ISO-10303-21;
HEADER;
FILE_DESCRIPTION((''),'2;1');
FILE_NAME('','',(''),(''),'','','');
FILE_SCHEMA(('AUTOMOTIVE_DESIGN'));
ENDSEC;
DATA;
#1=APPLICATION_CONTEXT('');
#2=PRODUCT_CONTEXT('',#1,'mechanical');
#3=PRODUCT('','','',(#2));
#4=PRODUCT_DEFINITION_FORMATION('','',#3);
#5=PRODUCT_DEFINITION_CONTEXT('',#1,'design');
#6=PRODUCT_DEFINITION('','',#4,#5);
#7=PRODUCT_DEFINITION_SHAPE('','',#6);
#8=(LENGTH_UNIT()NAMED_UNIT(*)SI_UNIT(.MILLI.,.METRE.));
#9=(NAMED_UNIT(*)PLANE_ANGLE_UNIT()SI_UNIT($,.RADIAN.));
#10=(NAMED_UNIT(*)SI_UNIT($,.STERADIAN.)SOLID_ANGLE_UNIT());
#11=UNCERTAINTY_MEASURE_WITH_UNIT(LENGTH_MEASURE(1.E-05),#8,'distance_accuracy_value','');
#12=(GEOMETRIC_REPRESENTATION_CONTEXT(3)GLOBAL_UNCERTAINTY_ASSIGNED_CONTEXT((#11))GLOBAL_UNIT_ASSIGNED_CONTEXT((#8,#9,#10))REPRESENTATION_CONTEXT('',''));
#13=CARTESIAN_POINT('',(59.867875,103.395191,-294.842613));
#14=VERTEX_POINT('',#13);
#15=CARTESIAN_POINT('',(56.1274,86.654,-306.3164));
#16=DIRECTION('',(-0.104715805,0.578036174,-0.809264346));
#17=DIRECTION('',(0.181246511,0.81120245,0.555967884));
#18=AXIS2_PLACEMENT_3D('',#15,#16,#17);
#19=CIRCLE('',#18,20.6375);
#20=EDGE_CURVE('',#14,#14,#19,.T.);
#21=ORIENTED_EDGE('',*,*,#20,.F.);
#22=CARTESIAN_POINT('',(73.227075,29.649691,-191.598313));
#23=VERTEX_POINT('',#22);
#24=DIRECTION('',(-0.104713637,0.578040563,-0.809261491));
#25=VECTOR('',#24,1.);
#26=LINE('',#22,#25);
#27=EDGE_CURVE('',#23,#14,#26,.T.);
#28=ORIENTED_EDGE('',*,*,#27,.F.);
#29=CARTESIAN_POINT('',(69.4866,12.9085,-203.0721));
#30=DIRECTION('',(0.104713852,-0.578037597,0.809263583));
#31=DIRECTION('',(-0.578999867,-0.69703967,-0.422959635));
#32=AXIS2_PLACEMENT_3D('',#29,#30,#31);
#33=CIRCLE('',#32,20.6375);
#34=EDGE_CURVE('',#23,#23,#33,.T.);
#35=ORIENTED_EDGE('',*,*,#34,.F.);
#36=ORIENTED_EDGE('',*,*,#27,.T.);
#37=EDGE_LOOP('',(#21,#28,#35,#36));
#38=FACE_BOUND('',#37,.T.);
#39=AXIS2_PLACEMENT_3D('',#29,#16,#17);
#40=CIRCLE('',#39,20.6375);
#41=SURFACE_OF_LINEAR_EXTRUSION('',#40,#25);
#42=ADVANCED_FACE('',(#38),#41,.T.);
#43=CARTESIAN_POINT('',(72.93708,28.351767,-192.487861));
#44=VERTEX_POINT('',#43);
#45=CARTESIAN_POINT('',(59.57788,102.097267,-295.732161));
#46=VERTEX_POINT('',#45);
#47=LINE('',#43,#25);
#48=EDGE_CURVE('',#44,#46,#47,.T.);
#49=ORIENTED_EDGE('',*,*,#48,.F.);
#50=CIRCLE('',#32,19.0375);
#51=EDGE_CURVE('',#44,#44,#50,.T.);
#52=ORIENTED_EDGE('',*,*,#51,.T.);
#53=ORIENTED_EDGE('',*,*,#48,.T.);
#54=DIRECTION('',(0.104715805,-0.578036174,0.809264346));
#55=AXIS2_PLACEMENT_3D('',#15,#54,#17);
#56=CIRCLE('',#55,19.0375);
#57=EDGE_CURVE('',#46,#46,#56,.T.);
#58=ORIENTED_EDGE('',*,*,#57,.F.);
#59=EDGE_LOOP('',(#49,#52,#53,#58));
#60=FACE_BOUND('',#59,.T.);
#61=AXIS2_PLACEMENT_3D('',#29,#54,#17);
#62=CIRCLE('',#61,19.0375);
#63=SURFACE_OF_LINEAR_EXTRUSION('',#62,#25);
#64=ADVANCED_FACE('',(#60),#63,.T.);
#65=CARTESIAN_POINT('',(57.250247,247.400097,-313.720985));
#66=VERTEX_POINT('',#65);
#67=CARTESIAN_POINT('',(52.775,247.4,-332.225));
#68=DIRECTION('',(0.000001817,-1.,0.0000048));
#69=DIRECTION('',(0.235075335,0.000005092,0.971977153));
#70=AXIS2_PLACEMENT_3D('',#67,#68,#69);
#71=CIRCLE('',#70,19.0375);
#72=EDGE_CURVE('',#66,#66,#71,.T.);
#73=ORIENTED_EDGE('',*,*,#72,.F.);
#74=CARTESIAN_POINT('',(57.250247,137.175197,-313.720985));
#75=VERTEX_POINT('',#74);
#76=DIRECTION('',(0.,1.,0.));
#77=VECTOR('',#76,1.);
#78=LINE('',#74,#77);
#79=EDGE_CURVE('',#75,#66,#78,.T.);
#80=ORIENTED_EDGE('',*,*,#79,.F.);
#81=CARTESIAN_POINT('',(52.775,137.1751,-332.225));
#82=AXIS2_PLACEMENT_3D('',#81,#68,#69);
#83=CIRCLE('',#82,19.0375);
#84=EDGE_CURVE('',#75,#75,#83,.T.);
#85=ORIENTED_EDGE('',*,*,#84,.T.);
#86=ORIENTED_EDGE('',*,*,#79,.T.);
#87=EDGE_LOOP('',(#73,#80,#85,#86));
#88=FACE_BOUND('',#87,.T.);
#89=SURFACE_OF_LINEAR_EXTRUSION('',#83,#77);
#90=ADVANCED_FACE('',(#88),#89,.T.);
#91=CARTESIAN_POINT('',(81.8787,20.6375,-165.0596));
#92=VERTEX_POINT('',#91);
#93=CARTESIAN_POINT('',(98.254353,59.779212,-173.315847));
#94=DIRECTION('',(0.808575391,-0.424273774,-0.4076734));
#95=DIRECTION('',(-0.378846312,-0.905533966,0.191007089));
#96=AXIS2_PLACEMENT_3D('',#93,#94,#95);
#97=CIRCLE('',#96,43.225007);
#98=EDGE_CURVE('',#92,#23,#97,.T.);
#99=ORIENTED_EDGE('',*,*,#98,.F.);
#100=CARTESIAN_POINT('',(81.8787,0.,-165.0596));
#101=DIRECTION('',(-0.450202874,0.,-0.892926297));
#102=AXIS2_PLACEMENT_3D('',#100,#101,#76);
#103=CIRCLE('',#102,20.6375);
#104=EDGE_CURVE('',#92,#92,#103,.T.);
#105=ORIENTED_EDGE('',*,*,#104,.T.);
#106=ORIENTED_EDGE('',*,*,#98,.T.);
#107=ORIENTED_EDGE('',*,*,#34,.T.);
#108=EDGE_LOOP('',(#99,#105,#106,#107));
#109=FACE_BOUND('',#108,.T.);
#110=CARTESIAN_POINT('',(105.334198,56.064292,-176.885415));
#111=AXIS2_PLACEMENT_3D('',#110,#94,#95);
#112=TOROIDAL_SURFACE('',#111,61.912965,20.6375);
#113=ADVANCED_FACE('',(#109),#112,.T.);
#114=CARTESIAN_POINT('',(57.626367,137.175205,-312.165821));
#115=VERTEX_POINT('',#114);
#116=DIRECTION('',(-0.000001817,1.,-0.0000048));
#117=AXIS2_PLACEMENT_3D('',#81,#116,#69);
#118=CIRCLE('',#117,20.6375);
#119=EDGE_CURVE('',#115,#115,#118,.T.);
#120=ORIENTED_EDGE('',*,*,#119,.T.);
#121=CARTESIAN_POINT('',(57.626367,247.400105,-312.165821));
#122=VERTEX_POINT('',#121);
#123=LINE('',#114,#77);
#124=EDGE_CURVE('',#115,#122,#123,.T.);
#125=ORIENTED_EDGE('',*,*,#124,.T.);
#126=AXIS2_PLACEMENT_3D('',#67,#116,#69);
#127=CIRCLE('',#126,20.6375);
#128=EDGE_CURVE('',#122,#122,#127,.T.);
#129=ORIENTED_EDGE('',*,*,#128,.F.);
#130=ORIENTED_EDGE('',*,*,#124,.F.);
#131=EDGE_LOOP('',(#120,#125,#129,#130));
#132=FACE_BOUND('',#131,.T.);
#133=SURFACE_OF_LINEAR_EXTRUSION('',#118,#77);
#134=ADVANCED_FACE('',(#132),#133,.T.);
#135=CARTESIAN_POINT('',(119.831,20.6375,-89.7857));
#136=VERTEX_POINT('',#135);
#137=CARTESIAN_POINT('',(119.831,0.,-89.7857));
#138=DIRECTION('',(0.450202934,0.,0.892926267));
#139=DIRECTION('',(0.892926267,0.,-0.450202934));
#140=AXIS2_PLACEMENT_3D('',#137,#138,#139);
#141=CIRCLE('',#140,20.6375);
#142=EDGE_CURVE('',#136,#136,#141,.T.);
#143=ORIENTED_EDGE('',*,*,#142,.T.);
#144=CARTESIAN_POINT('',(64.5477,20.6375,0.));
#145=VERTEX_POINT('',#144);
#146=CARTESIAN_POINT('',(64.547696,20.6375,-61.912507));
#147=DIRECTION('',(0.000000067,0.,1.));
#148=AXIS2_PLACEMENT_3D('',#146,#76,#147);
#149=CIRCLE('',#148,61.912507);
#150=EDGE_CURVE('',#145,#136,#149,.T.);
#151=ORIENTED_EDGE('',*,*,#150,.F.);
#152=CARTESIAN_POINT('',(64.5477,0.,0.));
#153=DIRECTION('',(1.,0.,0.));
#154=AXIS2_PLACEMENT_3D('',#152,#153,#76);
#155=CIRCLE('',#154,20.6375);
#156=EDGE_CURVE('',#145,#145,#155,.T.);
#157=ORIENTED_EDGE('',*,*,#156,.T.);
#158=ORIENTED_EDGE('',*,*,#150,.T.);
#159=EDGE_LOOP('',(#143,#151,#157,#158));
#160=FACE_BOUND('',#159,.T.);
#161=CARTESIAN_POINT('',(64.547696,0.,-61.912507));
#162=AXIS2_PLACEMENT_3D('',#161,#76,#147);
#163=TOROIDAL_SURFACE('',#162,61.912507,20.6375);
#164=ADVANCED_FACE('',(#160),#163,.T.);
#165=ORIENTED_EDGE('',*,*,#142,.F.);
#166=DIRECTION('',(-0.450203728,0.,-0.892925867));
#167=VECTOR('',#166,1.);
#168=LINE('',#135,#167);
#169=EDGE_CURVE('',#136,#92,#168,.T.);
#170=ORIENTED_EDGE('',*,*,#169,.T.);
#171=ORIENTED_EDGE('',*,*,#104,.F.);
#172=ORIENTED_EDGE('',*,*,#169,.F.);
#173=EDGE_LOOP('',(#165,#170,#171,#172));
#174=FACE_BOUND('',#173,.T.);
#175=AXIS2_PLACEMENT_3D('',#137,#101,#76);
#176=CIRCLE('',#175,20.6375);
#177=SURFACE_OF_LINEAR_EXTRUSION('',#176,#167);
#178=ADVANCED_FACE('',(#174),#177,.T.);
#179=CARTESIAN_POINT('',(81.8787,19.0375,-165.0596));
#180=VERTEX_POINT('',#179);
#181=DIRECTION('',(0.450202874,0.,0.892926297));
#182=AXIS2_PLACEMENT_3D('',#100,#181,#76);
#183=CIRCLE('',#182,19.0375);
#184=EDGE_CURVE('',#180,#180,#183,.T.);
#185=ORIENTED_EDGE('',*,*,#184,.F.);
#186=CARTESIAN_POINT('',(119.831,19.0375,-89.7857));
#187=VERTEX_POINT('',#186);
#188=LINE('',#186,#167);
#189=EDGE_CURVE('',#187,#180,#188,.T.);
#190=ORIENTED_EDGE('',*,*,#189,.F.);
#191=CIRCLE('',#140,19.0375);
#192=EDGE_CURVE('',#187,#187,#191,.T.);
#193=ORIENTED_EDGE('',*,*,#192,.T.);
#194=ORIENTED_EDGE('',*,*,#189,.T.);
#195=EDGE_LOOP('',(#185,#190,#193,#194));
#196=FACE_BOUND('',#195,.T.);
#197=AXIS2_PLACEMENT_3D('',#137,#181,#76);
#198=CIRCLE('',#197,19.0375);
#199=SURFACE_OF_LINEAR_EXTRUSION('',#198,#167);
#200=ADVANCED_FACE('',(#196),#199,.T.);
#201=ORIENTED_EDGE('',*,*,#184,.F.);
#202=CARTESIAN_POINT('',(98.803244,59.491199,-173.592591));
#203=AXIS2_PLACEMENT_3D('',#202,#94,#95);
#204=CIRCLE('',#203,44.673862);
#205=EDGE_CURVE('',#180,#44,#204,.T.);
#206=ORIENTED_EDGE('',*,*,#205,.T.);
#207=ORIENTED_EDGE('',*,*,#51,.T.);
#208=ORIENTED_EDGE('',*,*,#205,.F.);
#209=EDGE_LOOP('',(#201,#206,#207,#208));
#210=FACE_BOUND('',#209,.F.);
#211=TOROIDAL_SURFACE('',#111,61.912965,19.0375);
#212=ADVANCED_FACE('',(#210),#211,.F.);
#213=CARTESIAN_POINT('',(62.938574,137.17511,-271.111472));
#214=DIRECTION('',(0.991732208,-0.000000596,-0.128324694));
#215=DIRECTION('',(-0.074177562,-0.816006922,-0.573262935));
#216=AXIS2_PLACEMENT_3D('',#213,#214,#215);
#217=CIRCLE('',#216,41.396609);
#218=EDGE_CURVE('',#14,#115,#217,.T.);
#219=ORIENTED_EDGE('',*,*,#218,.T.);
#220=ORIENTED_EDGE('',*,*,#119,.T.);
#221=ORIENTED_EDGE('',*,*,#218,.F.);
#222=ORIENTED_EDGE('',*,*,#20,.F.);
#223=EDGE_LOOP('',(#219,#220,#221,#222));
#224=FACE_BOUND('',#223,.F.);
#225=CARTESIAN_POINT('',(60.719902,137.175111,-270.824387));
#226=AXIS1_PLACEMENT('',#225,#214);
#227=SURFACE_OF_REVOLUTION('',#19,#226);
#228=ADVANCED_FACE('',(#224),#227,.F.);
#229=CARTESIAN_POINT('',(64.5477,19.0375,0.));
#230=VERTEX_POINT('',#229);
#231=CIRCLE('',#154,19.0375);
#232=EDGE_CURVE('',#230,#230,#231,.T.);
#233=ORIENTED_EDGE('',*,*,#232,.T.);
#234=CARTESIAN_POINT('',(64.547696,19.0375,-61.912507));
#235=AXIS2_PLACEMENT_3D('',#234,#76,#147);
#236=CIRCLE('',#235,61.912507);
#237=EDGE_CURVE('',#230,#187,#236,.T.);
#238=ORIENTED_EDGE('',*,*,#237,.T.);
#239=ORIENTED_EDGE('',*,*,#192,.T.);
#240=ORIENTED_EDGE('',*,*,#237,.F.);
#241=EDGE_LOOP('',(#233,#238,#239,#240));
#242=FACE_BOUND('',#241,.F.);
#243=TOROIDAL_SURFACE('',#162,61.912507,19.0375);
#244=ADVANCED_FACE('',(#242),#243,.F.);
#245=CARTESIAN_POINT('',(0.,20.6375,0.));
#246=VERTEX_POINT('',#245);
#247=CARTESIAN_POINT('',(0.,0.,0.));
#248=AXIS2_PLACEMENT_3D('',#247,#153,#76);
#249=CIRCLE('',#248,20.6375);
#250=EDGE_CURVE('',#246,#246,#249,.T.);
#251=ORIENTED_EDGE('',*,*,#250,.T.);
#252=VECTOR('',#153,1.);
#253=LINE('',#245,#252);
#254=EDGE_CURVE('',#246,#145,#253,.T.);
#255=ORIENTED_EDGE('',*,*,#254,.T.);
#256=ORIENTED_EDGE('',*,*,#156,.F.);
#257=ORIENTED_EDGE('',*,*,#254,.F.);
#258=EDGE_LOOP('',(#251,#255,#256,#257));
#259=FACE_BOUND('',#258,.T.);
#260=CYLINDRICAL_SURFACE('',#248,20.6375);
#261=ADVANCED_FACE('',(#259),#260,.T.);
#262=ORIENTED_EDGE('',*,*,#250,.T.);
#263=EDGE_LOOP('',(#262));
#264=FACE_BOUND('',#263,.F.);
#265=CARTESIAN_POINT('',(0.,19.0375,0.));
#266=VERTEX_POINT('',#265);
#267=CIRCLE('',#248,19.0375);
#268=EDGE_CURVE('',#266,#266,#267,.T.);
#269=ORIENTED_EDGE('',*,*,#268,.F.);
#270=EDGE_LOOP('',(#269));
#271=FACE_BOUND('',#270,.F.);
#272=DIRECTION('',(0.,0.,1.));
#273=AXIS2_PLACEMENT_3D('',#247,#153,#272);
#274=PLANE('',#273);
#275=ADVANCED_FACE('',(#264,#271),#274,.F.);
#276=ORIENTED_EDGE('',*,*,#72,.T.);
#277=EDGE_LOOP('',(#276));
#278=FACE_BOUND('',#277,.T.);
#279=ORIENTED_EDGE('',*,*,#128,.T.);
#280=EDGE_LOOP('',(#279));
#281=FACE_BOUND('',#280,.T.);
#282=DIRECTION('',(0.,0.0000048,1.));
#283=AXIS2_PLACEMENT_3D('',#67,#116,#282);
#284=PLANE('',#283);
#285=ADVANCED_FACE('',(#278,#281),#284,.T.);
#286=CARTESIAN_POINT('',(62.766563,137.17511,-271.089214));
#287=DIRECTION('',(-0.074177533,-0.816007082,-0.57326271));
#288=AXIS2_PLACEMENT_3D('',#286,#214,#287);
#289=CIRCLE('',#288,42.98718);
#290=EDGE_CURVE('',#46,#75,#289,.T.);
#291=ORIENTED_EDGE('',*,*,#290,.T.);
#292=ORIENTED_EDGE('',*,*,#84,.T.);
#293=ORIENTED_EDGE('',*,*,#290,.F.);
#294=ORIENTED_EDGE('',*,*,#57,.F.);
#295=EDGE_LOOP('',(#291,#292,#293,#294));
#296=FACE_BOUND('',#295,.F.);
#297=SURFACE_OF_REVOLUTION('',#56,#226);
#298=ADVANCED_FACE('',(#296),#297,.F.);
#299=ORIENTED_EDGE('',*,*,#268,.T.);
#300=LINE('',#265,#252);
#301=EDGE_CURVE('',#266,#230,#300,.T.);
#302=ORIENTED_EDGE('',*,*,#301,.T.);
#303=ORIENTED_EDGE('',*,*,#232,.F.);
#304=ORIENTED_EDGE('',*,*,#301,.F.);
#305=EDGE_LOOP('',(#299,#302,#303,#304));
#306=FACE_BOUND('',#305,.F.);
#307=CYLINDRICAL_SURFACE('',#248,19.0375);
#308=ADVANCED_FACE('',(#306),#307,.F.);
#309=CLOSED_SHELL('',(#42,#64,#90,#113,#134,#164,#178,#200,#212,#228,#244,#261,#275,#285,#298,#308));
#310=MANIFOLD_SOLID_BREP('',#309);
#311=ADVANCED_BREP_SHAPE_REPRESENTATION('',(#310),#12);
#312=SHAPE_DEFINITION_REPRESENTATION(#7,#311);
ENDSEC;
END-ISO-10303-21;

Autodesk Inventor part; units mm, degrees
sketch "Sketch1" plane through (0, 0, 0) normal (1, 0, 0) x (0, 1, 0)
  line L0 (0, 0) -> (0, -185)
  line L1 (0, -185) -> (105.16, -332.225)
  line L2 (105.16, -332.225) -> (247.4, -332.225)
  line L3 (0, 0) -> (0, -165.1) construction
  line L4 (0, -165.1) -> (0, -71.825) construction
  line L5 (0, -71.825) -> (105.16, -52.775) construction
  line L6 (105.16, -52.775) -> (247.4, -52.775) construction
  dimension "d0" = 332.225
  dimension "d4" = 185
  dimension "d5" = 247.4
  dimension "d6" = 165.1
  dimension "d7" = 52.775
  dimension "d8" = 71.825
  dimension "d19" = 0
  dimension "d20" = 142.24
ref_plane "Work Plane1" through (165.1, 0, 0) normal (1, 0, 0) x (0, 1, 0)
ref_plane "Work Plane2" through (71.825, 0, 0) normal (1, 0, 0) x (0, 1, 0)
ref_plane "Work Plane3" through (52.775, 0, 0) normal (1, 0, 0) x (0, 1, 0)
sketch "Sketch2" plane through (165.1, 0, 0) normal (1, 0, 0) x (0, 1, 0)
  point P0 (0, 0)
  point P1 (0, 0)
sketch "Sketch3" plane through (71.825, 0, 0) normal (1, 0, 0) x (0, 1, 0)
  point P0 (0, 0)
  point P1 (0, -185)
  point P2 (105.16, -332.225)
sketch "Sketch4" plane through (52.775, 0, 0) normal (1, 0, 0) x (0, 1, 0)
  point P0 (0, 0)
  point P1 (247.4, -332.225)
  point P2 (105.16, -332.225)
sketch "Sketch5" plane through (0, 0, 0) normal (1, 0, 0) x (0, 1, 0)
  circle A0 centre (0, 0) radius 20.6375
  circle A1 centre (0, 0) radius 19.0375
  dimension "d15" = 1.6
  dimension "d17" = 41.275
sketch3d "3D Sketch1"
  line L0 (0, 0, 0) -> (64.5477, 0, 0)
  arc A0 (64.5477, 0, 0) -> (119.831, 0, -89.7857) centre (64.5477, 0, -61.9125) ccw
  line L1 (119.831, 0, -89.7857) -> (81.8787, 0, -165.0596)
  arc A1 (81.8787, 0, -165.0596) -> (69.4866, 12.9085, -203.0721) centre (105.334, 56.0639, -176.8854) ccw
  line L2 (69.4866, 12.9085, -203.0721) -> (56.1274, 86.654, -306.3164)
  arc A2 (56.1274, 86.654, -306.3164) -> (52.775, 137.1751, -332.225) centre (60.7199, 137.1751, -270.8244) ccw
  line L3 (52.775, 137.1751, -332.225) -> (52.775, 247.4, -332.225)
  dimension "d13" = 61.9125
  dimension "d14" = 61.9125
  dimension "d12" = 61.9125
sweep "Sweep1" add profiles "Sketch5" path "3D Sketch1"
equation "\"d13\" = d12"
equation "\"d14\" = d12"
equation "\"d9\" = d6"
equation "\"d10\" = d8"
equation "\"d11\" = d7"
properties part number "exhaust header right pipe 5" material "Steel"
